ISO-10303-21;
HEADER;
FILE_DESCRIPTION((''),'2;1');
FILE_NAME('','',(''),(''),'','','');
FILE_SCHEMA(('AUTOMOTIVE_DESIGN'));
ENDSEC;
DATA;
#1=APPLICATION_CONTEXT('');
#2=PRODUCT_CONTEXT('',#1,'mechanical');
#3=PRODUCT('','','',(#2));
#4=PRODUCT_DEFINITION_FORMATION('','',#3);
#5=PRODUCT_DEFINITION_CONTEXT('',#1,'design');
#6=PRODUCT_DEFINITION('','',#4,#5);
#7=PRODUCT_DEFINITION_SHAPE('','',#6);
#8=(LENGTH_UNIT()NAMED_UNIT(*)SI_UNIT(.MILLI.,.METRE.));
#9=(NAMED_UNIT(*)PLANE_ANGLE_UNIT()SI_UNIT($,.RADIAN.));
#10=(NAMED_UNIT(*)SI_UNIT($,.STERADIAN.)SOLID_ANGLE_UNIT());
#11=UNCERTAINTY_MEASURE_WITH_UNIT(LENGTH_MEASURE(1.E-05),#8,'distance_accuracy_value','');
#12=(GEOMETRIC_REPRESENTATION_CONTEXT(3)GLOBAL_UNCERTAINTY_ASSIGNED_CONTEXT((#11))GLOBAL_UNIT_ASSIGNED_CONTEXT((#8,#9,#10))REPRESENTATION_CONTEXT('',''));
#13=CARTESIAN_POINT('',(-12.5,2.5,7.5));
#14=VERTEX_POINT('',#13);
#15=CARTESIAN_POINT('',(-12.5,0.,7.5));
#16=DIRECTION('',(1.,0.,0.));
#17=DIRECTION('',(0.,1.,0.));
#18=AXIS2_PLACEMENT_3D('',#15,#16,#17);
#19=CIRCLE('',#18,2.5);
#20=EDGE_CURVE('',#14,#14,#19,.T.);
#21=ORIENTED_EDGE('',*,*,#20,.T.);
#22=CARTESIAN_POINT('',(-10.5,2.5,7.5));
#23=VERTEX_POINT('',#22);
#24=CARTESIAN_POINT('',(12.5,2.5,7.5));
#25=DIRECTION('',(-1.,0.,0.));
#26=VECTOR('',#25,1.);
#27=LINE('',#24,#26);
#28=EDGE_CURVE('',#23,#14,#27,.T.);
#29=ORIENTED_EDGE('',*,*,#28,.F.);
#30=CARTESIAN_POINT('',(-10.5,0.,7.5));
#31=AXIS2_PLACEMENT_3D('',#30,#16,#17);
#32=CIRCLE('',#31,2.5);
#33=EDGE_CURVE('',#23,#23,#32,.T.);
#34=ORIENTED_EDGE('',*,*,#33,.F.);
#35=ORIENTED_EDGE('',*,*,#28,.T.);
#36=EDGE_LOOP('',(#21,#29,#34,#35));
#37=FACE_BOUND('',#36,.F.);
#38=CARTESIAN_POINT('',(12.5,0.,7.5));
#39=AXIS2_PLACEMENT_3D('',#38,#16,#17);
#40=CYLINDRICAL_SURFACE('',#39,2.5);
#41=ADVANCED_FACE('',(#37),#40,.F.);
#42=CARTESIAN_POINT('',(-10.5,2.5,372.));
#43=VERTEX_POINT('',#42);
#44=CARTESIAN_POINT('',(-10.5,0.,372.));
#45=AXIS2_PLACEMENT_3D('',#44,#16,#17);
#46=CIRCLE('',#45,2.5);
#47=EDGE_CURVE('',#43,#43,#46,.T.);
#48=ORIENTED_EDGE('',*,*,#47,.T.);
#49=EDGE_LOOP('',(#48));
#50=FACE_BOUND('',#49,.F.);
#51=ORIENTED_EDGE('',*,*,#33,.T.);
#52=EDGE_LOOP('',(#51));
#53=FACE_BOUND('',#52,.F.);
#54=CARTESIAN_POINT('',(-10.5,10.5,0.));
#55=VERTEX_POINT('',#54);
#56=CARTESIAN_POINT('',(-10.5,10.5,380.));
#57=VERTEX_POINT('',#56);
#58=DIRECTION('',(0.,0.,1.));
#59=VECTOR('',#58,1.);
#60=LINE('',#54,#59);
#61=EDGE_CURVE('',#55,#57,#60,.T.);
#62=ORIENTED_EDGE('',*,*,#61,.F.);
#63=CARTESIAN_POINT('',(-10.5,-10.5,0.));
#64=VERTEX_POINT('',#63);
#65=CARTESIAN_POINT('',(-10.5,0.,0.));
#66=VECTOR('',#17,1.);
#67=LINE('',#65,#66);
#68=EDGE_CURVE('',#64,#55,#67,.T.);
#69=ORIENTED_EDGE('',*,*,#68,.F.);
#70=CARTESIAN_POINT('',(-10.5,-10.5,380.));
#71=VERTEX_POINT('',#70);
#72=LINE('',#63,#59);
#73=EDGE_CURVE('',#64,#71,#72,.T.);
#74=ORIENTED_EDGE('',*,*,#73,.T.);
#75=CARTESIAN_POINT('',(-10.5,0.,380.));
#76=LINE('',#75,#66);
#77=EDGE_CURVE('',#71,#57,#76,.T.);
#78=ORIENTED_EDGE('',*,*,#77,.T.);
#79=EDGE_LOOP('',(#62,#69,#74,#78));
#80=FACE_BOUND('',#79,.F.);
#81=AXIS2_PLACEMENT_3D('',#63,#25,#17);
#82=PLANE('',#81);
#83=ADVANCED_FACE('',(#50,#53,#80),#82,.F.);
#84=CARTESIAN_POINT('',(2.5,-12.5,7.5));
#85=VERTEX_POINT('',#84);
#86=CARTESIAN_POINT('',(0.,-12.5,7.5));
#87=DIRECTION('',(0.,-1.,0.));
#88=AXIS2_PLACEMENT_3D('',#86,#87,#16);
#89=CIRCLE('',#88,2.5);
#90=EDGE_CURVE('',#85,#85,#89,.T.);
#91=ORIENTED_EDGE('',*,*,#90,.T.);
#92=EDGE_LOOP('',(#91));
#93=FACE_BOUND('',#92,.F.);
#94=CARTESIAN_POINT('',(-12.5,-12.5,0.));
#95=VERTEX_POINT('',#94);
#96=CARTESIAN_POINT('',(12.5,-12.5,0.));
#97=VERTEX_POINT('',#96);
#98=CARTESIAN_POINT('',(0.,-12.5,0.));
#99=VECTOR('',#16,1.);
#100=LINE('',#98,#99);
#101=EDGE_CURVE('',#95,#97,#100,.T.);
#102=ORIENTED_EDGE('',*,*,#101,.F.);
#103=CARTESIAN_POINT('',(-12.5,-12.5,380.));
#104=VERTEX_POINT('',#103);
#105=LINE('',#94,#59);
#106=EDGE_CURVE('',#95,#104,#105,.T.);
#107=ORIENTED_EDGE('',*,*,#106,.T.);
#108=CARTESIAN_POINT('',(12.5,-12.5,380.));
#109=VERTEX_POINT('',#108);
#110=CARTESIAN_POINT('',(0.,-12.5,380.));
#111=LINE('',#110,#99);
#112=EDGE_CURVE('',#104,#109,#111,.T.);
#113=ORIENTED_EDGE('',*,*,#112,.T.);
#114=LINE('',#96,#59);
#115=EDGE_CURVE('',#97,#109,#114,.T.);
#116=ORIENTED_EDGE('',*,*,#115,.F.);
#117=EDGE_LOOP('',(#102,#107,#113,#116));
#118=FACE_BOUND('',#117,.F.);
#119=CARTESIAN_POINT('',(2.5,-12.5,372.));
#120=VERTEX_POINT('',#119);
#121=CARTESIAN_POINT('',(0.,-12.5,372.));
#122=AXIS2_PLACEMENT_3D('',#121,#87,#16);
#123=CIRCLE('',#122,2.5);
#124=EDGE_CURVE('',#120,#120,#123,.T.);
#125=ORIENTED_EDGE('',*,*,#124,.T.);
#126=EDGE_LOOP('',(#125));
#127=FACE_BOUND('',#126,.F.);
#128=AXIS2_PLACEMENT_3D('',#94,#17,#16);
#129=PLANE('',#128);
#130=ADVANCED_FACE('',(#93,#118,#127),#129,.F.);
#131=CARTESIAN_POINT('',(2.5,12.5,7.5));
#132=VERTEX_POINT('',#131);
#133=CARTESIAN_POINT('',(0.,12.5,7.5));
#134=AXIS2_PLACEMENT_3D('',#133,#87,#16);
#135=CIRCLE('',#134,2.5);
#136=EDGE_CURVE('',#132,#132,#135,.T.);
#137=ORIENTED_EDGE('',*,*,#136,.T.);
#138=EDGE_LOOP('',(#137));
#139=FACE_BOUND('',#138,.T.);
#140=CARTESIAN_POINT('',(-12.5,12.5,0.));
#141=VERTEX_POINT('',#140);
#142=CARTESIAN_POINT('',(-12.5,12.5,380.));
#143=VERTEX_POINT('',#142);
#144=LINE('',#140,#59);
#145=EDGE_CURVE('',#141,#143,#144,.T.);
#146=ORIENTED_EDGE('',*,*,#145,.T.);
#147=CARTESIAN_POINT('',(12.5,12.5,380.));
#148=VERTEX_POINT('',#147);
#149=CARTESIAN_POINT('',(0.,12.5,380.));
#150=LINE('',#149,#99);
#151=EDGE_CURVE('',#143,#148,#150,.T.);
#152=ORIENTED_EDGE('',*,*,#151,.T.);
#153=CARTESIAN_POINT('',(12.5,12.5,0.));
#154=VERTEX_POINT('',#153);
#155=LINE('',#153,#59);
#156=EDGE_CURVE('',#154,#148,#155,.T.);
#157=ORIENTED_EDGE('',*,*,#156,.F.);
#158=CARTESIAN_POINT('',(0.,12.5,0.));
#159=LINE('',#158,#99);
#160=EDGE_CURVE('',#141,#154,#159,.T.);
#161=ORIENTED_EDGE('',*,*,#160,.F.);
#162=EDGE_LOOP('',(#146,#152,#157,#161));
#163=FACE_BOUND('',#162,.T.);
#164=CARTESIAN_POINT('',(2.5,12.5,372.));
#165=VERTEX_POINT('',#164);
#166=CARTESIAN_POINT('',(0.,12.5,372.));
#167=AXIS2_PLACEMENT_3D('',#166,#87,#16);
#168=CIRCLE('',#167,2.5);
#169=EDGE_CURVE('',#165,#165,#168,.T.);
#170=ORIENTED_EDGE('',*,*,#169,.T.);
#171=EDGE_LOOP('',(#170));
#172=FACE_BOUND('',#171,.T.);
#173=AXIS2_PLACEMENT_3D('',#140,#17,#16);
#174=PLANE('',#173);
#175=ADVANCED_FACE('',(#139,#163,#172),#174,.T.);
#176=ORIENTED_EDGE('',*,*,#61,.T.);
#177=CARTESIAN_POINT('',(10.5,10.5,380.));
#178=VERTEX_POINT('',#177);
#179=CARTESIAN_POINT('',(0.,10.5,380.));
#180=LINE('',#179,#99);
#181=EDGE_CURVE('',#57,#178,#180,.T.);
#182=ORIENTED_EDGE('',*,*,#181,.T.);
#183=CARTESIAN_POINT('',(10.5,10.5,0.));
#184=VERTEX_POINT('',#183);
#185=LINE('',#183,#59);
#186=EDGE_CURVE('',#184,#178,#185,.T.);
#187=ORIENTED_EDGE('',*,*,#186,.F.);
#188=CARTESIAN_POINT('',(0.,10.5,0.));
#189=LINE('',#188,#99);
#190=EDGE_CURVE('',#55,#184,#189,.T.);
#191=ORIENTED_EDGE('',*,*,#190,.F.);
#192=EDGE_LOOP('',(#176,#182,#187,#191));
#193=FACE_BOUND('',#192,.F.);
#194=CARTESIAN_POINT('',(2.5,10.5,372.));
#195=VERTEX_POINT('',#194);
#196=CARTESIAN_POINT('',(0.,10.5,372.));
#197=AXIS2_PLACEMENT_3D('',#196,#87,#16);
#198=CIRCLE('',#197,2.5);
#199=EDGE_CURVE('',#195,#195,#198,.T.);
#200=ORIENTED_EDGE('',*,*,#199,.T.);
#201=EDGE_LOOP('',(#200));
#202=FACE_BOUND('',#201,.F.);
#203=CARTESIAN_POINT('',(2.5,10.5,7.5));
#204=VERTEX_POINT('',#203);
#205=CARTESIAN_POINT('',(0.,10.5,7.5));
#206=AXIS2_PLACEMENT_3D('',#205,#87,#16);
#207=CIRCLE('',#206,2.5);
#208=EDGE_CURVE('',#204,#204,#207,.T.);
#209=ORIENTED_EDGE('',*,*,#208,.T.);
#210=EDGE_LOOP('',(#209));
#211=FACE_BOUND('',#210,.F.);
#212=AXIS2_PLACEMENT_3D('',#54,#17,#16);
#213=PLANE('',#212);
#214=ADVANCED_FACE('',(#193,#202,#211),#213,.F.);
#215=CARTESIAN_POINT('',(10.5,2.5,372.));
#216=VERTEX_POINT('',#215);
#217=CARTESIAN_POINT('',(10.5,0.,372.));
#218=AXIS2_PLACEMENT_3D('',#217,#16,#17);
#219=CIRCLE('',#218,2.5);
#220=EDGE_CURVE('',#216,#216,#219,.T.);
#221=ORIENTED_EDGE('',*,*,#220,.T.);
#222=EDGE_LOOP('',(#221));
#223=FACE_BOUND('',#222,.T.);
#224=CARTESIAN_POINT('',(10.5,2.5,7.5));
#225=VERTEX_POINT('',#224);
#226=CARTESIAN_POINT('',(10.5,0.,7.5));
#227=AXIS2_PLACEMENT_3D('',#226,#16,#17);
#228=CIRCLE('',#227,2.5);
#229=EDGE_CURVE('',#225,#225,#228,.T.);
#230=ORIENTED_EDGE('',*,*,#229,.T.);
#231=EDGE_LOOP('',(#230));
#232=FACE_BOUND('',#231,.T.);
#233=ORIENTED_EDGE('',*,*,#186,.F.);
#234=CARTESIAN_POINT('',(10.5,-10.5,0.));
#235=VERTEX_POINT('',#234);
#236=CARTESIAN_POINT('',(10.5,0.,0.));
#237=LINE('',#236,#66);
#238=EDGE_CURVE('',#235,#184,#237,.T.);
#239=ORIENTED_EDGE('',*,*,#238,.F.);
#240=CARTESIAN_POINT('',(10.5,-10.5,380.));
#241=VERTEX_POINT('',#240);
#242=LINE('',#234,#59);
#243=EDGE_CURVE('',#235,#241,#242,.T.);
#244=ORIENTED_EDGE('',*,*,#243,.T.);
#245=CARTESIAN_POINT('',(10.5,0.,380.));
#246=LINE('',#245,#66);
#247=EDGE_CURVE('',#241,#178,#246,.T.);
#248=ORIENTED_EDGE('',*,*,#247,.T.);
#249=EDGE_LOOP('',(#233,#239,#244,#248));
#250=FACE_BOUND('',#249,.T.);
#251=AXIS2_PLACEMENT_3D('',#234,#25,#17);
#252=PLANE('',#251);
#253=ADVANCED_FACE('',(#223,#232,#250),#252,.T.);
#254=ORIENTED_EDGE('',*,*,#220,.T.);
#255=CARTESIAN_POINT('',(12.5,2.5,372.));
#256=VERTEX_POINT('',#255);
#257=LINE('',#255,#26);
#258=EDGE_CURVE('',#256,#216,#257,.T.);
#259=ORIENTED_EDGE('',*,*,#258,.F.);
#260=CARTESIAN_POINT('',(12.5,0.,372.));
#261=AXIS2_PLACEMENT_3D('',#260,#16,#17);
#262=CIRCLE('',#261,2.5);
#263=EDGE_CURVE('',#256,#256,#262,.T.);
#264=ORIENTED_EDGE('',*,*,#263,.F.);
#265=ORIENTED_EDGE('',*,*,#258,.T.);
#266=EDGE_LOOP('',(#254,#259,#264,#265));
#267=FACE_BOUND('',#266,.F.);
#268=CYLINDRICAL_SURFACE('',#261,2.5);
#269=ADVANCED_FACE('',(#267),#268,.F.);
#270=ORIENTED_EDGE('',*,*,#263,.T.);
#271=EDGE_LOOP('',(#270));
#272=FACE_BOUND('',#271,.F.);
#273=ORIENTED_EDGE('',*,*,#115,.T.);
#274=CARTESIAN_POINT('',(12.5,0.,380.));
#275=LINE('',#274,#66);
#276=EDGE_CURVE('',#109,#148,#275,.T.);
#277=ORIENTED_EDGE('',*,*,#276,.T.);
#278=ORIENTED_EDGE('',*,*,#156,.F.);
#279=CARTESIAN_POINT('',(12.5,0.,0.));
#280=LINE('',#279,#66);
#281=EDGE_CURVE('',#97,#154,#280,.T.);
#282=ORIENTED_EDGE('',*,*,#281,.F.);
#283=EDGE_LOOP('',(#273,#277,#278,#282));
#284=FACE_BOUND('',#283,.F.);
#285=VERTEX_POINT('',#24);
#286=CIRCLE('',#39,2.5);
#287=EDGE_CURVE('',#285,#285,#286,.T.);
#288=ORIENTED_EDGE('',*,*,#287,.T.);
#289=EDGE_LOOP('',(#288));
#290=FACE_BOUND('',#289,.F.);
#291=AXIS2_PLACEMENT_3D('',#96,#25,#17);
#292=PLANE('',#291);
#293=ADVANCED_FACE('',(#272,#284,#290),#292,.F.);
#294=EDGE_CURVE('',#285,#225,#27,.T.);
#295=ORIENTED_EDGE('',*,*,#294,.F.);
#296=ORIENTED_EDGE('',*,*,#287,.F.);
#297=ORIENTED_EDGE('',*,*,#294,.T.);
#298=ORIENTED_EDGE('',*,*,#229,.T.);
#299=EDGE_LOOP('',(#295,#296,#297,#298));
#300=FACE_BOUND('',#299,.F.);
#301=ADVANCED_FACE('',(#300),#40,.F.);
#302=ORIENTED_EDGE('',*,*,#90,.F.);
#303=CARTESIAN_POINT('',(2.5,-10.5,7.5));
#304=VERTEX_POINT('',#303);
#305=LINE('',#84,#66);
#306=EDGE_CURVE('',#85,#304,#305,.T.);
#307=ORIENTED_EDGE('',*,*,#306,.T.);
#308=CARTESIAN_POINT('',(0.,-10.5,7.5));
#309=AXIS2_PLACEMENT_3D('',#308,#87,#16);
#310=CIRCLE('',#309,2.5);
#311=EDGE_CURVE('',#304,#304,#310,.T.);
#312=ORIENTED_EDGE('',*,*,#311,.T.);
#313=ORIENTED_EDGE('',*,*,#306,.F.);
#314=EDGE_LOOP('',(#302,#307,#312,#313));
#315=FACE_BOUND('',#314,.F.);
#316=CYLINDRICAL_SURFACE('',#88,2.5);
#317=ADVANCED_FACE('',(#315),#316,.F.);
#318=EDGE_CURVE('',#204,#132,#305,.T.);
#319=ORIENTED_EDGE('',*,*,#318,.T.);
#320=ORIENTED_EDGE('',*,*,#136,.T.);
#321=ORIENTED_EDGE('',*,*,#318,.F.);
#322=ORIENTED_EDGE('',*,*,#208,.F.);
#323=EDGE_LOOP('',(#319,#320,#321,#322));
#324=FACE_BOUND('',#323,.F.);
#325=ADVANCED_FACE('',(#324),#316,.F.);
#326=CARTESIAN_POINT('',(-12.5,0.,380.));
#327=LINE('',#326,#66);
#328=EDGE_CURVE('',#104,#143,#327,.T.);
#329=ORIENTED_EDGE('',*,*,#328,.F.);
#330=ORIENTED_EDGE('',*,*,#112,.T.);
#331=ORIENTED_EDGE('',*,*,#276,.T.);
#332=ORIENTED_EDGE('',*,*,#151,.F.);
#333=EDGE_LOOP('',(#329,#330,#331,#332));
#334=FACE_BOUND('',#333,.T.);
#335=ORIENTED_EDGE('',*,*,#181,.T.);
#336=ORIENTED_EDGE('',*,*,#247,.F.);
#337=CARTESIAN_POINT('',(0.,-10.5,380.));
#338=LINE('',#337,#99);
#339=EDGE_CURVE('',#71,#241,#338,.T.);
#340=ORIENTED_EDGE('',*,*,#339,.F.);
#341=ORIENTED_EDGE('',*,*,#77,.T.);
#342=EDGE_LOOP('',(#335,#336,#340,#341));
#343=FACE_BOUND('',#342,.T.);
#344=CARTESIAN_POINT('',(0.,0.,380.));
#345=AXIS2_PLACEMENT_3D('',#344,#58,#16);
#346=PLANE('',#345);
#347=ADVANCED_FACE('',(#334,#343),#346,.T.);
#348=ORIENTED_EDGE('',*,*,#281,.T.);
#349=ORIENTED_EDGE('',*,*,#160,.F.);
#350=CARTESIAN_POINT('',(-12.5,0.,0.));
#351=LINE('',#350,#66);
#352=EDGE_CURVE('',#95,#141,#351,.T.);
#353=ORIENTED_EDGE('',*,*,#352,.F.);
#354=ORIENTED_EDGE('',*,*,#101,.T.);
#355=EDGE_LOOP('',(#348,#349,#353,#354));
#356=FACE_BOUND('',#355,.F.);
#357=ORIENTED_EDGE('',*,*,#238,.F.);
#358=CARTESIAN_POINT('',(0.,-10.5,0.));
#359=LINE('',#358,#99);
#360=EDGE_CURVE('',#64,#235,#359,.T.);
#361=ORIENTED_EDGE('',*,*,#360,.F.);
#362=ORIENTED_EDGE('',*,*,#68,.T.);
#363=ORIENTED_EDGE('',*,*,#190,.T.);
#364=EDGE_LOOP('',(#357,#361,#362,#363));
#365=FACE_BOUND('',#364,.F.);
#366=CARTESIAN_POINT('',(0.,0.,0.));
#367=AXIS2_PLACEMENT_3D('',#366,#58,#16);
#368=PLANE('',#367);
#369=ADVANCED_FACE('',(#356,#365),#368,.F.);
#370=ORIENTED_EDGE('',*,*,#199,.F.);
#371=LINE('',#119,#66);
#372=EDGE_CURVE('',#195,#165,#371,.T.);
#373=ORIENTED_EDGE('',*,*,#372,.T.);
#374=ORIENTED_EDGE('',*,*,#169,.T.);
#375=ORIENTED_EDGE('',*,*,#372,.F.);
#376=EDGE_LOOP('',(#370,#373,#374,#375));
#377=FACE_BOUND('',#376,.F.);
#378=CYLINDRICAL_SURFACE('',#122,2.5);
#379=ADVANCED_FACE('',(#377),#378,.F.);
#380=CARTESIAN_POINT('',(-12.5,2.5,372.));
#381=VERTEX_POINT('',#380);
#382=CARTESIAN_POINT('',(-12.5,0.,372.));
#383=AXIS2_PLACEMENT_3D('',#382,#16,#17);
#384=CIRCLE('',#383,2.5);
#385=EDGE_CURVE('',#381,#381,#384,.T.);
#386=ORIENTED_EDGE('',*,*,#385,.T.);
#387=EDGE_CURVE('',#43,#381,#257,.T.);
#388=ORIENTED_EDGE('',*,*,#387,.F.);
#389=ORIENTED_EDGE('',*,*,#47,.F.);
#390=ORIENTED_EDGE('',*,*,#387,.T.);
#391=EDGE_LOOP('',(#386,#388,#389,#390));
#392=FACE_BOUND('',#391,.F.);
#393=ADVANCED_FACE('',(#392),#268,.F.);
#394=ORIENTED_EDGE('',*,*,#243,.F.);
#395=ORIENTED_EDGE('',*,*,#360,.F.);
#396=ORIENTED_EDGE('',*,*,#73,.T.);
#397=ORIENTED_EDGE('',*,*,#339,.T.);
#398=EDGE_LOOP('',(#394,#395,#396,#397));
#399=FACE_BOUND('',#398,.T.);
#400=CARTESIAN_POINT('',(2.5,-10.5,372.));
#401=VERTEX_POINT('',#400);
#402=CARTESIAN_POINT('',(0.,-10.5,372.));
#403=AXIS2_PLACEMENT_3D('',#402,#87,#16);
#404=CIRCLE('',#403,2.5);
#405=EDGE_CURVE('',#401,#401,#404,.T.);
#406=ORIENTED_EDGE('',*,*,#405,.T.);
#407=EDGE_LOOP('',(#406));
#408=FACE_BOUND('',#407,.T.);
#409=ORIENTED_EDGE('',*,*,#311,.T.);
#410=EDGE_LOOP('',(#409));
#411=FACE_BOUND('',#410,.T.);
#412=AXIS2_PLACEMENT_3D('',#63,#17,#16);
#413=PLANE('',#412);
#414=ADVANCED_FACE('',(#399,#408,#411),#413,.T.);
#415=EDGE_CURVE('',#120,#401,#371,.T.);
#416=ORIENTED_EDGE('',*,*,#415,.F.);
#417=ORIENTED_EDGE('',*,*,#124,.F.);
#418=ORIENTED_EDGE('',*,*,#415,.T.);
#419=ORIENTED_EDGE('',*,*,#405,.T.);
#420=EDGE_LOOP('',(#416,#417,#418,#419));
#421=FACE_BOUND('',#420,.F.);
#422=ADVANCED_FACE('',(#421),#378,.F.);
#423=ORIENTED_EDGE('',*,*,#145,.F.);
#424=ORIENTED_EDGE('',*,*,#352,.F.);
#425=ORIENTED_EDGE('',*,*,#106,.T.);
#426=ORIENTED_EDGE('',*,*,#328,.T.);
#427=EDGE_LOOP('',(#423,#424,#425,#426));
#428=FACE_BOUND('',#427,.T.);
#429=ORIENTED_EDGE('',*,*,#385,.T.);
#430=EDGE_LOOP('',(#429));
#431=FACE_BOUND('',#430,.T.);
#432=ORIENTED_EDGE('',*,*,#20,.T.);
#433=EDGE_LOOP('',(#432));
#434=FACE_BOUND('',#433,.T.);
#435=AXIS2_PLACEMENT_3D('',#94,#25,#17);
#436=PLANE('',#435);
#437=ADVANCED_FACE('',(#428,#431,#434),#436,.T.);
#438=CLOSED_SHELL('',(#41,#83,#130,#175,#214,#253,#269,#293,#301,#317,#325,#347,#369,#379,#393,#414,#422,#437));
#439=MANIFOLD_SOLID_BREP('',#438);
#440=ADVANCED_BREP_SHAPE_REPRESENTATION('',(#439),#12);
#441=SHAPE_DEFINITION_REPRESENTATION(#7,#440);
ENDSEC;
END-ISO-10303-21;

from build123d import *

# Parameters (mm, degrees)
F0_W     = 25
F0_H     = 25
F0_W_2   = 21
F0_H_2   = 21
F1_DEPTH = 380
F2_R     = 2.5
F3_DEPTH = 25
F4_R     = 2.5
F5_DEPTH = 25


with BuildPart() as f1:
    # F0 (on Top) → F1 (new body)
    with BuildSketch(Plane.XY):
        Rectangle(F0_W, F0_H)
        Rectangle(F0_W_2, F0_H_2, mode=Mode.SUBTRACT)
    extrude(amount=F1_DEPTH)

    # F2 (on face) → F3 (cut)
    with BuildSketch(Plane.XZ.offset(12.5)):
        with Locations((0, 372)):
            Circle(F2_R)
        with Locations((0, 7.5)):
            Circle(F2_R)
    extrude(amount=-F3_DEPTH, mode=Mode.SUBTRACT)

    # F4 (on face) → F5 (cut)
    with BuildSketch(Plane.YZ.offset(12.5)):
        with Locations((0, 372)):
            Circle(F4_R)
        with Locations((0, 7.5)):
            Circle(F4_R)
    extrude(amount=-F5_DEPTH, mode=Mode.SUBTRACT)


solid = f1.part
